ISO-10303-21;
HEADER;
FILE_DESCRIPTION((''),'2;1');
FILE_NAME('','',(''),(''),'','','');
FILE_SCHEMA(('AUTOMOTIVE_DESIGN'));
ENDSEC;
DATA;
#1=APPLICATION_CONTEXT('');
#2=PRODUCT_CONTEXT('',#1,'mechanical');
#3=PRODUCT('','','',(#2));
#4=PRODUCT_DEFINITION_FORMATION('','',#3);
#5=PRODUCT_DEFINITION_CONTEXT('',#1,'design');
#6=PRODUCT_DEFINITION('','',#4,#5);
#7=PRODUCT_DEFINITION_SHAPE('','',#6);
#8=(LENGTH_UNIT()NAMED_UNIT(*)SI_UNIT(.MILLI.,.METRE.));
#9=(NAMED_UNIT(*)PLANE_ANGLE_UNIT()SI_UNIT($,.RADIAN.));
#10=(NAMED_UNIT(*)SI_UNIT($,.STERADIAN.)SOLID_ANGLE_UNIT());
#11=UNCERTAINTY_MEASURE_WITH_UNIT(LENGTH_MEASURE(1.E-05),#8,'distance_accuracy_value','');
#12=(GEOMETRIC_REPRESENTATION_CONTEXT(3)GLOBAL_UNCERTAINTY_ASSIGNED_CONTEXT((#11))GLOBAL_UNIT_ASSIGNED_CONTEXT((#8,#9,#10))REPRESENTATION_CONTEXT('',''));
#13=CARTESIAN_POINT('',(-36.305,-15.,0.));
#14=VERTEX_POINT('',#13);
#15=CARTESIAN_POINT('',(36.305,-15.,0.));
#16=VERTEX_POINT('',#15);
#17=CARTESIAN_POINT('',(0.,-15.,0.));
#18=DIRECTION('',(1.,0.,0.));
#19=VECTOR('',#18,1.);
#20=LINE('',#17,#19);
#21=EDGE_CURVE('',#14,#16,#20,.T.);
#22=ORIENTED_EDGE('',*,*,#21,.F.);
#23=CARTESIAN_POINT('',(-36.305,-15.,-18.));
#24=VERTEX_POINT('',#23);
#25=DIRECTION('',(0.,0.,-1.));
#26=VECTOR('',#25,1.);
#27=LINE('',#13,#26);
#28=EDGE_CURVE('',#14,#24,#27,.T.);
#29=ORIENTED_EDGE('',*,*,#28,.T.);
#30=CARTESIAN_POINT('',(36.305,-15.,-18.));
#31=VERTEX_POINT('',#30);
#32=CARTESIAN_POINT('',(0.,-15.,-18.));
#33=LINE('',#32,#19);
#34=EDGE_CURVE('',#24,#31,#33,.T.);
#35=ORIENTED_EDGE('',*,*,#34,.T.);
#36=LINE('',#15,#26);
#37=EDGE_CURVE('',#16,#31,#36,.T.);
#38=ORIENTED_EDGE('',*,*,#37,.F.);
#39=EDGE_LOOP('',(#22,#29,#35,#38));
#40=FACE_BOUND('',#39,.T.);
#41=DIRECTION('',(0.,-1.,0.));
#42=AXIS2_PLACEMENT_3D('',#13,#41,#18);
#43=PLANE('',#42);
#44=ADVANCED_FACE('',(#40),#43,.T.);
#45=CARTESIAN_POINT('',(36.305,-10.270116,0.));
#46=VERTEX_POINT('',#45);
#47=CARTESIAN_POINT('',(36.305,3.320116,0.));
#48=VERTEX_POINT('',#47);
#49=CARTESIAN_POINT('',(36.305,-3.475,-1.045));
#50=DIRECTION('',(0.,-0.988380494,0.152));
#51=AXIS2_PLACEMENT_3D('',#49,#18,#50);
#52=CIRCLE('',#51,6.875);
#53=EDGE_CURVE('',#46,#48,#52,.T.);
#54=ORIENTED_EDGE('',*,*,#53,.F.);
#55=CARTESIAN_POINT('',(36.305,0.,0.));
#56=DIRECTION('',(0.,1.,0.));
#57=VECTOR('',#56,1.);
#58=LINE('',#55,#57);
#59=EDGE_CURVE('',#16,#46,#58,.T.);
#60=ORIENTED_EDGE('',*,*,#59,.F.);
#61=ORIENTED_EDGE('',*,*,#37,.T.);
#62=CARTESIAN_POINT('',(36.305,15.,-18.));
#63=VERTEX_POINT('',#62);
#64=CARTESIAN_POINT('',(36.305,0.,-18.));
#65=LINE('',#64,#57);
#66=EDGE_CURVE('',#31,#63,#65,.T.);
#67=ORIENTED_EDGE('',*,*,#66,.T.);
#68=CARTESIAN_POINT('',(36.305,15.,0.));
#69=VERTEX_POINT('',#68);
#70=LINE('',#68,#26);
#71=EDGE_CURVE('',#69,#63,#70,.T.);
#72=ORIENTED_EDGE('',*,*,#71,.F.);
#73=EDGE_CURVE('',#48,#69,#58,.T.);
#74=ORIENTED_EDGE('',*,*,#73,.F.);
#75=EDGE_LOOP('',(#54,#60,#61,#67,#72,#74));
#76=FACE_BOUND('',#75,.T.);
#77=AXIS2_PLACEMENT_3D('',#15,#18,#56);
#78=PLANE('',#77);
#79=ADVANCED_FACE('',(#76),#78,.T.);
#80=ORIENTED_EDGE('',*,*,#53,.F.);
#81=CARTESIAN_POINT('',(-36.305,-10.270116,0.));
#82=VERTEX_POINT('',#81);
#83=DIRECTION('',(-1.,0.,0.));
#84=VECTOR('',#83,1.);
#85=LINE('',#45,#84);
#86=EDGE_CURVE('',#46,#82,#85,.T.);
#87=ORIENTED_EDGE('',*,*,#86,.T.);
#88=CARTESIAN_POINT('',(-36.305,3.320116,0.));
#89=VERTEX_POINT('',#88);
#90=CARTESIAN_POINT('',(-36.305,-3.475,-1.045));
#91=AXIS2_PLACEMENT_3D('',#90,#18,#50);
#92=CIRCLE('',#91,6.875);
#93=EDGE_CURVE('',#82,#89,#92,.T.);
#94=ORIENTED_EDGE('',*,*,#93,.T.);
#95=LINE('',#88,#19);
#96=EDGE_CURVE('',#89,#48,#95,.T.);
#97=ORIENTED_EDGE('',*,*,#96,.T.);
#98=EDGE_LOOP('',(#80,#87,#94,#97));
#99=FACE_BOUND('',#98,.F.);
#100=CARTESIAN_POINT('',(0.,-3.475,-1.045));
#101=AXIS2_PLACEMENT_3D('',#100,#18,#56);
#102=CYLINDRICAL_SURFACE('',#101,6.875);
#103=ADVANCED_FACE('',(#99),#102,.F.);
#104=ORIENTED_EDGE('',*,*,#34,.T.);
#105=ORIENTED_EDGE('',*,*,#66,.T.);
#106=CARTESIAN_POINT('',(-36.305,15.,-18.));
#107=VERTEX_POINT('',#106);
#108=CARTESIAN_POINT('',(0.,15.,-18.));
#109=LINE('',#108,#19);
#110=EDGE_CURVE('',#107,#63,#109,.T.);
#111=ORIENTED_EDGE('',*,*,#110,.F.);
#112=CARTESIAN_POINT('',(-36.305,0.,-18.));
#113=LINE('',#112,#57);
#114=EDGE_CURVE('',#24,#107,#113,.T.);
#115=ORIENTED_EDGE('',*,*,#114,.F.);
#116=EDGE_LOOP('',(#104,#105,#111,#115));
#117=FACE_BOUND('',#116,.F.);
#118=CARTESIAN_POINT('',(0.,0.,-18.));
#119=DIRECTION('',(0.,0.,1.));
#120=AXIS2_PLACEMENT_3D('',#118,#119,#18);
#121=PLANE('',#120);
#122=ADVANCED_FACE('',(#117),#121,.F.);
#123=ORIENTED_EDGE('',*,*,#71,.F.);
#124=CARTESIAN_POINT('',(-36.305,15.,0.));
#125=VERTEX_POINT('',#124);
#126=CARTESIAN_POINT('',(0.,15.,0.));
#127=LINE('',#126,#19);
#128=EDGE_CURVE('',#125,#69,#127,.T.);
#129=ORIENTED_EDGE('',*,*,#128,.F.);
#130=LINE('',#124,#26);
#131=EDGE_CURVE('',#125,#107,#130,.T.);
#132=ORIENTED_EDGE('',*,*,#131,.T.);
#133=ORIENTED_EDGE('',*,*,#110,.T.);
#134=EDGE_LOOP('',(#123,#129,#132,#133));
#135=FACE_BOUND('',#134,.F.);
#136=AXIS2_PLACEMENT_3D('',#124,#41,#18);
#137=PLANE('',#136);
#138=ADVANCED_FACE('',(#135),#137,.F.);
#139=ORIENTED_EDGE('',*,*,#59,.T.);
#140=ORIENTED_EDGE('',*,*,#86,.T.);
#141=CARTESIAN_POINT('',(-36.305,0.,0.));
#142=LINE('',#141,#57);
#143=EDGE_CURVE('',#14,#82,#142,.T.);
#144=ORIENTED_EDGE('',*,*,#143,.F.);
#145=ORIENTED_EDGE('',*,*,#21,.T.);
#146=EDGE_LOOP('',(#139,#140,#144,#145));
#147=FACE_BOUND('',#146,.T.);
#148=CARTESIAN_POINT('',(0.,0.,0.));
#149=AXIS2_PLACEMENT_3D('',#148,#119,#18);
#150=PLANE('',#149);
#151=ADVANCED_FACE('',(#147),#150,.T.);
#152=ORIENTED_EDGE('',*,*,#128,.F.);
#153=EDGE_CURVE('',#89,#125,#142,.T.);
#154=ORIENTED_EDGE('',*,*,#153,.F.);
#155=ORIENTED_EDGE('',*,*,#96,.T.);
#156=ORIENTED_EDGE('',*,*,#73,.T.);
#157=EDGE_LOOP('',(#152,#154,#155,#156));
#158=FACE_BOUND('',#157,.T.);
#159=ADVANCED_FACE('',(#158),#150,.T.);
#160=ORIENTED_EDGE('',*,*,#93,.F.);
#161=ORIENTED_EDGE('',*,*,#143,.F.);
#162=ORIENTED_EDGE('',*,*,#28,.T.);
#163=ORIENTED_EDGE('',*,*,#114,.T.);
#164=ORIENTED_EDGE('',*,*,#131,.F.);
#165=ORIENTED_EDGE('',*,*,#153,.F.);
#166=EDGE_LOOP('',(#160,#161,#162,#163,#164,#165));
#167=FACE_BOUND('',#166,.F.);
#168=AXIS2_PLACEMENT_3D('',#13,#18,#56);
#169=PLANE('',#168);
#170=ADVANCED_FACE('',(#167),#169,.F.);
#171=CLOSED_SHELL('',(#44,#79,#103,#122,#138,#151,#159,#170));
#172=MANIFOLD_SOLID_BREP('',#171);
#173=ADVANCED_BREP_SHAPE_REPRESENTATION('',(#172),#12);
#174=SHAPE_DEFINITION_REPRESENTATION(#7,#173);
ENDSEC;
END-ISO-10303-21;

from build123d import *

# Parameters (mm, degrees)
F0_W          = 72.61
F0_H          = 30
F1_DEPTH      = 18
F2_R          = 6.875
F3_DEPTH      = 36.306
F3_DEPTH_BACK = 45


with BuildPart() as f1:
    # F0 (on Top) → F1 (new body)
    with BuildSketch(Plane.XY):
        Rectangle(F0_W, F0_H)
    extrude(amount=-F1_DEPTH)

    # F2 (on Right) → F3 (cut, two sides)
    with BuildSketch(Plane.YZ) as f3_sk:
        with Locations((-3.475, -1.045)):
            Circle(F2_R)
    extrude(amount=-F3_DEPTH, mode=Mode.SUBTRACT)
    extrude(f3_sk.sketch, amount=F3_DEPTH_BACK, mode=Mode.SUBTRACT)


solid = f1.part
